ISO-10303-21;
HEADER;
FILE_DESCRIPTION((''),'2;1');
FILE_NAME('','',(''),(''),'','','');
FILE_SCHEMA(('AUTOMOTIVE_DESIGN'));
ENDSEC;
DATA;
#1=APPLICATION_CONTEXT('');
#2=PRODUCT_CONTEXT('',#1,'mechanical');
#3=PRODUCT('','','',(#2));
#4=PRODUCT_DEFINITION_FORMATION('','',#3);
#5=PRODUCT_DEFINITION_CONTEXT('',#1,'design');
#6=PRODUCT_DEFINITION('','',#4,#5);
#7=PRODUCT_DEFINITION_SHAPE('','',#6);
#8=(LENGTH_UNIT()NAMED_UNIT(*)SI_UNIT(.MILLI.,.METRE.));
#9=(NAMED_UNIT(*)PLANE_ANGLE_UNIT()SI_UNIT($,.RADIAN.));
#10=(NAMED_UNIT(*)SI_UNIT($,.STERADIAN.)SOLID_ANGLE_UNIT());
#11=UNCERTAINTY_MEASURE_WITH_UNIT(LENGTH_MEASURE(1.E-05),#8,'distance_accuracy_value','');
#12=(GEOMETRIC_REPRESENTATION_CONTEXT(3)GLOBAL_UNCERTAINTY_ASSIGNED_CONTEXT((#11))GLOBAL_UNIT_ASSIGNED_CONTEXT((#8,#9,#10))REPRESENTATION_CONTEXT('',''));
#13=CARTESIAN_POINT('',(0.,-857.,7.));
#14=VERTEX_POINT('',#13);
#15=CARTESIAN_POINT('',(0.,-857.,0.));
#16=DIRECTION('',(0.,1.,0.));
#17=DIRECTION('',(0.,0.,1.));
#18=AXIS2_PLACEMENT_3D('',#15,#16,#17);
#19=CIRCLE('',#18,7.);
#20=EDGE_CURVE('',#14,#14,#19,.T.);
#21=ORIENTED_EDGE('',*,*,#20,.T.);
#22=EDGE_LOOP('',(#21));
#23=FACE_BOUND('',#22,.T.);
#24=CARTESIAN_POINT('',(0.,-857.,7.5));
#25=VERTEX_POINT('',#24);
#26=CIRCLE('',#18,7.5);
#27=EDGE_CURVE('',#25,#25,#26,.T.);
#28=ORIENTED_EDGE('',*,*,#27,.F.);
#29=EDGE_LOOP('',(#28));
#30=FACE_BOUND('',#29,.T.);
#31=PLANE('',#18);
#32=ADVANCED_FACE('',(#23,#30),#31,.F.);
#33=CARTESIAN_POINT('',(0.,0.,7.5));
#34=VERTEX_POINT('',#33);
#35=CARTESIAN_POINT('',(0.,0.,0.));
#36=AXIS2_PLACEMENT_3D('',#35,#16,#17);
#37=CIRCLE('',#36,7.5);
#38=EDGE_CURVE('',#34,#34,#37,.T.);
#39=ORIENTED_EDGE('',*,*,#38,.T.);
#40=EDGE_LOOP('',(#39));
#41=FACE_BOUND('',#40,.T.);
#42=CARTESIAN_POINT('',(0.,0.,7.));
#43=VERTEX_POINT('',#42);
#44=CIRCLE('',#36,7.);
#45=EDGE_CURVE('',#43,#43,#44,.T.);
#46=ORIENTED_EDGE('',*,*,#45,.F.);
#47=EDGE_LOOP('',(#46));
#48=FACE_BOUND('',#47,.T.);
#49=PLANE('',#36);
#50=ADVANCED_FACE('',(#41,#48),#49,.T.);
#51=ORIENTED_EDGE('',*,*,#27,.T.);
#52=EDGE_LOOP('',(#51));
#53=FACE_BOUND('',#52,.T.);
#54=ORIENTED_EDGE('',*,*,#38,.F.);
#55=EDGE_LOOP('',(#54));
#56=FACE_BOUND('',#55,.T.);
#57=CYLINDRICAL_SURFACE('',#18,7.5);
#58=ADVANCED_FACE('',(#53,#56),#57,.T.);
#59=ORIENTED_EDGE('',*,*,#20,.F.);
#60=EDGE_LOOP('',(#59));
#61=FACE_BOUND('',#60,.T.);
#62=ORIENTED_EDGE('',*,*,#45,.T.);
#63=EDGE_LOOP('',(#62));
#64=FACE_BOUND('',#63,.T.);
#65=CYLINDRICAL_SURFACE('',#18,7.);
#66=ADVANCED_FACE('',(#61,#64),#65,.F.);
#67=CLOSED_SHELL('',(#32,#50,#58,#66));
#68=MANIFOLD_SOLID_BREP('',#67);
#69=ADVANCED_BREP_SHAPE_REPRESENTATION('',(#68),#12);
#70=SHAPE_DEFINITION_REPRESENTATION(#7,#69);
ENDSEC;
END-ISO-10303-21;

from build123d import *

# Parameters (mm, degrees)
SKETCH1_R           = 7.5
BOSS_EXTRUDE1_DEPTH = 857
SKETCH2_R           = 7
CUT_EXTRUDE1_DEPTH  = 858.065633426


with BuildPart() as part:
    # Sketch1 → Boss-Extrude1 (new body)
    with BuildSketch(Plane(origin=(0, 0, 0), x_dir=(1, 0, 0), z_dir=(0, 1, 0))):
        with Locations(Location((0, 0, 0), (0, 0, 270))):
            Circle(SKETCH1_R)
    extrude(amount=-BOSS_EXTRUDE1_DEPTH)

    # Sketch2 → Cut-Extrude1 (cut, through all)
    with BuildSketch(Plane(origin=(0, 0, 0), x_dir=(1, 0, 0), z_dir=(0, 1, 0))):
        with Locations(Location((0, 0, 0), (0, 0, 270))):
            Circle(SKETCH2_R)
    extrude(amount=-CUT_EXTRUDE1_DEPTH, mode=Mode.SUBTRACT)


solid = part.part
